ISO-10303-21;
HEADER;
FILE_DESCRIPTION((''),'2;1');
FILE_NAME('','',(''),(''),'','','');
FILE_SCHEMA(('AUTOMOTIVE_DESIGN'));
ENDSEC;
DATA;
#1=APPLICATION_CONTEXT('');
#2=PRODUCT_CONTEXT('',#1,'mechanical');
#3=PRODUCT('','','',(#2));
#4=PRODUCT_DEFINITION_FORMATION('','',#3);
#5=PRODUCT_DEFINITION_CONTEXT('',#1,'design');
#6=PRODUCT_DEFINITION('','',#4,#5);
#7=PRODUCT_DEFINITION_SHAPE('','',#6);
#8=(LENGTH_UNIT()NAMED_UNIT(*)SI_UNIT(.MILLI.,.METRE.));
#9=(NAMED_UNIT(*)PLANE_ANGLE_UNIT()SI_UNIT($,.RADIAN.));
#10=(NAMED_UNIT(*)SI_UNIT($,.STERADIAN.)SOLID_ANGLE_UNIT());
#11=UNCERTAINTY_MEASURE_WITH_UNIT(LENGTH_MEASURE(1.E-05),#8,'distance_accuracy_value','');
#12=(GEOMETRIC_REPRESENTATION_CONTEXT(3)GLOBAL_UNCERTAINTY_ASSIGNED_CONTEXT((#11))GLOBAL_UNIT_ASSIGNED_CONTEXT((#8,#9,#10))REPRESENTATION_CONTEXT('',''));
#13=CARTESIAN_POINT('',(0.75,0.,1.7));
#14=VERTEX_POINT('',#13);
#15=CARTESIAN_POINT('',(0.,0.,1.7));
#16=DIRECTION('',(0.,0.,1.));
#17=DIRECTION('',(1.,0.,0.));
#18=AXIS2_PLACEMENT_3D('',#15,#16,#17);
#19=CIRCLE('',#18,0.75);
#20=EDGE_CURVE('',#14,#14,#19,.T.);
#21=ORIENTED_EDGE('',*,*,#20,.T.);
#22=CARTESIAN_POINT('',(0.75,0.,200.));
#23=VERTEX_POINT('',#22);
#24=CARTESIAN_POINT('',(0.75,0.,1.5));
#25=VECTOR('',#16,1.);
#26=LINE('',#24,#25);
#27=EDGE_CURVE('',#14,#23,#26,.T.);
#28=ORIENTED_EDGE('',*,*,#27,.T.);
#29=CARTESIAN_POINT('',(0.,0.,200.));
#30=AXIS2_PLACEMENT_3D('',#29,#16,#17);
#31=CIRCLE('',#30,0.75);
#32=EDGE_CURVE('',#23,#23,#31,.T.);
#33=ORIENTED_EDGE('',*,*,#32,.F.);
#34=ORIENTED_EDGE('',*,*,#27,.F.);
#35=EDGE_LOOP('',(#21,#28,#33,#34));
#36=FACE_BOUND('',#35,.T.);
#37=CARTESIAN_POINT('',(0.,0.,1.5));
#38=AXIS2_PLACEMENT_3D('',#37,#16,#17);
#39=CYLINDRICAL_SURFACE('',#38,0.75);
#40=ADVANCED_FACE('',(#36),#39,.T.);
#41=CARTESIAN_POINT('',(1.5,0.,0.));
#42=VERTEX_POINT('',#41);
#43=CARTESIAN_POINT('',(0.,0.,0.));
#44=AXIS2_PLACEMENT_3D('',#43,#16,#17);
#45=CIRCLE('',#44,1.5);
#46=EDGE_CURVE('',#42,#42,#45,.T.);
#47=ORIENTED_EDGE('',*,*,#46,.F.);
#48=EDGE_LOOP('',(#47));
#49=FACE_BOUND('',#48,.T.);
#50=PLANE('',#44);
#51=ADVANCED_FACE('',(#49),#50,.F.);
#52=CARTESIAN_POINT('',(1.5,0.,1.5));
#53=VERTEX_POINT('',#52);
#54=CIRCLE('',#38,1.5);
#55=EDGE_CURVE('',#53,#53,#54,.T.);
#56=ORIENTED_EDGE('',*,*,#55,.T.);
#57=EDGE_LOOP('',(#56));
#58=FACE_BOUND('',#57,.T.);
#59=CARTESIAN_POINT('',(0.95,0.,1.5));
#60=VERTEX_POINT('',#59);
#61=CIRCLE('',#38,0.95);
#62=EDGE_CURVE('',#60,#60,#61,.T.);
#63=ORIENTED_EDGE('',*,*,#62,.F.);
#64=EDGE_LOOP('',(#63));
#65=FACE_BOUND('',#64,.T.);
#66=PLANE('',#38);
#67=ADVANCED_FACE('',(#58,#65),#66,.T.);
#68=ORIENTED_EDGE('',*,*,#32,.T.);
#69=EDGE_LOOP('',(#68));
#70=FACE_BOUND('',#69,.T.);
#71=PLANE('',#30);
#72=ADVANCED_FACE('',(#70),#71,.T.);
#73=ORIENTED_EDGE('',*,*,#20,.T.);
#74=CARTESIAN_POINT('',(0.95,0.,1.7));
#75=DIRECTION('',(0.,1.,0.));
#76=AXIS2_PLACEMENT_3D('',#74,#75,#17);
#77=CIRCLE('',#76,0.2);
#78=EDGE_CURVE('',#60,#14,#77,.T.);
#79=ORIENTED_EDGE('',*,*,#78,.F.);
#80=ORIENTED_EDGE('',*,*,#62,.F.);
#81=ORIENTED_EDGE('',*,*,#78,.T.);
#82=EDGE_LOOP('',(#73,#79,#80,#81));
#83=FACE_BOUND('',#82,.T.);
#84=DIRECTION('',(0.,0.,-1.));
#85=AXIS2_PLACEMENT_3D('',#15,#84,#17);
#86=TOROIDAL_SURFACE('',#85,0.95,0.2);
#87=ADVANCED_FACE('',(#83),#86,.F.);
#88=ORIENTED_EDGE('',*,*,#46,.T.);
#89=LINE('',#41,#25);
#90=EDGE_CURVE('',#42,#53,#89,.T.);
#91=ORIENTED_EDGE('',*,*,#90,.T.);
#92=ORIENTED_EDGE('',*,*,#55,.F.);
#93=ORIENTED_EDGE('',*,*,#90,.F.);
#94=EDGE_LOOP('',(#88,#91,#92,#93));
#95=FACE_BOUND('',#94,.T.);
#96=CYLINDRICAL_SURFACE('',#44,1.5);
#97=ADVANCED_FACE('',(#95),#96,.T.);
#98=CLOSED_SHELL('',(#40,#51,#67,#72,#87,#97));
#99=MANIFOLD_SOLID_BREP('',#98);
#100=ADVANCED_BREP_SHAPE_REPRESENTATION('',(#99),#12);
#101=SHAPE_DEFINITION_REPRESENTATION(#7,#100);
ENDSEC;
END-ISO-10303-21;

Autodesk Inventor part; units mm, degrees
ref_plane "XZ Plane" through (0, 0, 0) normal (0, 1, 0) x (-1, 0, 0)
ref_plane "XY Plane" through (0, 0, 0) normal (0, 0, 1) x (1, 0, 0)
sketch "Sketch1" plane through (0, 0, 0) normal (0, 1, 0) x (0, 0, 1)
  line L0 (0, 1.5) -> (1.5, 1.5)
  line L1 (0, 0) -> (0, 1.5)
  line L2 (1.5, 0.75) -> (200, 0.75)
  line L3 (200, 0.75) -> (200, 0)
  line L4 (0, 0) -> (200, 0)
  line L5 (1.5, 1.5) -> (1.5, 0.75)
  point P0 (1.5, 0)
  dimension "d6" = 1.5
  dimension "d9" = 200
  dimension "d10" = 3
  dimension "d13" = 1.5
revolve "Revolution1" add sketch "Sketch1" angle 360 about axis through (0, 0, 0) along (0, 0, 1)
fillet "Fillet1" radius 0.2 1 edges at (-0.75, 0, 1.5)
ref_plane "Work Plane1" through (1.5, 0, 0.75) normal (1, 0, 0) x (0, 1, 0)
sketch "Sketch2" plane through (1.5, 0, 0.75) normal (1, 0, 0) x (0, 1, 0)
  line L0 (1.5, -0.75) -> (-1.5, -0.75) construction
  line L1 (-1.5, -0.75) -> (-1.5, 0.75) construction
  point P0 (0, -0.75)
  point P1 (0, 0)
  point P2 (-1.5, 0)
  point P3 (0, -0.75)
hole "Anti_Rotary Hole" [suppressed]
sketch "Sketch3" plane through (0, 0, 0) normal (0, 0, -1) x (-1, 0, 0)
  circle A0 centre (0, 0) radius 1.5 projected
  line L0 (-1.05, 1.0712) -> (-1.05, -1.0712)
  dimension "d55" = 1.05
extrude "Anti_Rotary Plane" [suppressed]
equation "\"P\" = 1.5"
equation "\"T_\" = 1.5"
equation "\"H_\" = 3"
equation "\"R\" = 0.2"
equation "\"Anti_Rotary_P\" = 1.05"
equation "\"Anti_Rotary_D\" = 0.175"
properties part number "AH 1.5 -200" material "DIN 1.2210"
